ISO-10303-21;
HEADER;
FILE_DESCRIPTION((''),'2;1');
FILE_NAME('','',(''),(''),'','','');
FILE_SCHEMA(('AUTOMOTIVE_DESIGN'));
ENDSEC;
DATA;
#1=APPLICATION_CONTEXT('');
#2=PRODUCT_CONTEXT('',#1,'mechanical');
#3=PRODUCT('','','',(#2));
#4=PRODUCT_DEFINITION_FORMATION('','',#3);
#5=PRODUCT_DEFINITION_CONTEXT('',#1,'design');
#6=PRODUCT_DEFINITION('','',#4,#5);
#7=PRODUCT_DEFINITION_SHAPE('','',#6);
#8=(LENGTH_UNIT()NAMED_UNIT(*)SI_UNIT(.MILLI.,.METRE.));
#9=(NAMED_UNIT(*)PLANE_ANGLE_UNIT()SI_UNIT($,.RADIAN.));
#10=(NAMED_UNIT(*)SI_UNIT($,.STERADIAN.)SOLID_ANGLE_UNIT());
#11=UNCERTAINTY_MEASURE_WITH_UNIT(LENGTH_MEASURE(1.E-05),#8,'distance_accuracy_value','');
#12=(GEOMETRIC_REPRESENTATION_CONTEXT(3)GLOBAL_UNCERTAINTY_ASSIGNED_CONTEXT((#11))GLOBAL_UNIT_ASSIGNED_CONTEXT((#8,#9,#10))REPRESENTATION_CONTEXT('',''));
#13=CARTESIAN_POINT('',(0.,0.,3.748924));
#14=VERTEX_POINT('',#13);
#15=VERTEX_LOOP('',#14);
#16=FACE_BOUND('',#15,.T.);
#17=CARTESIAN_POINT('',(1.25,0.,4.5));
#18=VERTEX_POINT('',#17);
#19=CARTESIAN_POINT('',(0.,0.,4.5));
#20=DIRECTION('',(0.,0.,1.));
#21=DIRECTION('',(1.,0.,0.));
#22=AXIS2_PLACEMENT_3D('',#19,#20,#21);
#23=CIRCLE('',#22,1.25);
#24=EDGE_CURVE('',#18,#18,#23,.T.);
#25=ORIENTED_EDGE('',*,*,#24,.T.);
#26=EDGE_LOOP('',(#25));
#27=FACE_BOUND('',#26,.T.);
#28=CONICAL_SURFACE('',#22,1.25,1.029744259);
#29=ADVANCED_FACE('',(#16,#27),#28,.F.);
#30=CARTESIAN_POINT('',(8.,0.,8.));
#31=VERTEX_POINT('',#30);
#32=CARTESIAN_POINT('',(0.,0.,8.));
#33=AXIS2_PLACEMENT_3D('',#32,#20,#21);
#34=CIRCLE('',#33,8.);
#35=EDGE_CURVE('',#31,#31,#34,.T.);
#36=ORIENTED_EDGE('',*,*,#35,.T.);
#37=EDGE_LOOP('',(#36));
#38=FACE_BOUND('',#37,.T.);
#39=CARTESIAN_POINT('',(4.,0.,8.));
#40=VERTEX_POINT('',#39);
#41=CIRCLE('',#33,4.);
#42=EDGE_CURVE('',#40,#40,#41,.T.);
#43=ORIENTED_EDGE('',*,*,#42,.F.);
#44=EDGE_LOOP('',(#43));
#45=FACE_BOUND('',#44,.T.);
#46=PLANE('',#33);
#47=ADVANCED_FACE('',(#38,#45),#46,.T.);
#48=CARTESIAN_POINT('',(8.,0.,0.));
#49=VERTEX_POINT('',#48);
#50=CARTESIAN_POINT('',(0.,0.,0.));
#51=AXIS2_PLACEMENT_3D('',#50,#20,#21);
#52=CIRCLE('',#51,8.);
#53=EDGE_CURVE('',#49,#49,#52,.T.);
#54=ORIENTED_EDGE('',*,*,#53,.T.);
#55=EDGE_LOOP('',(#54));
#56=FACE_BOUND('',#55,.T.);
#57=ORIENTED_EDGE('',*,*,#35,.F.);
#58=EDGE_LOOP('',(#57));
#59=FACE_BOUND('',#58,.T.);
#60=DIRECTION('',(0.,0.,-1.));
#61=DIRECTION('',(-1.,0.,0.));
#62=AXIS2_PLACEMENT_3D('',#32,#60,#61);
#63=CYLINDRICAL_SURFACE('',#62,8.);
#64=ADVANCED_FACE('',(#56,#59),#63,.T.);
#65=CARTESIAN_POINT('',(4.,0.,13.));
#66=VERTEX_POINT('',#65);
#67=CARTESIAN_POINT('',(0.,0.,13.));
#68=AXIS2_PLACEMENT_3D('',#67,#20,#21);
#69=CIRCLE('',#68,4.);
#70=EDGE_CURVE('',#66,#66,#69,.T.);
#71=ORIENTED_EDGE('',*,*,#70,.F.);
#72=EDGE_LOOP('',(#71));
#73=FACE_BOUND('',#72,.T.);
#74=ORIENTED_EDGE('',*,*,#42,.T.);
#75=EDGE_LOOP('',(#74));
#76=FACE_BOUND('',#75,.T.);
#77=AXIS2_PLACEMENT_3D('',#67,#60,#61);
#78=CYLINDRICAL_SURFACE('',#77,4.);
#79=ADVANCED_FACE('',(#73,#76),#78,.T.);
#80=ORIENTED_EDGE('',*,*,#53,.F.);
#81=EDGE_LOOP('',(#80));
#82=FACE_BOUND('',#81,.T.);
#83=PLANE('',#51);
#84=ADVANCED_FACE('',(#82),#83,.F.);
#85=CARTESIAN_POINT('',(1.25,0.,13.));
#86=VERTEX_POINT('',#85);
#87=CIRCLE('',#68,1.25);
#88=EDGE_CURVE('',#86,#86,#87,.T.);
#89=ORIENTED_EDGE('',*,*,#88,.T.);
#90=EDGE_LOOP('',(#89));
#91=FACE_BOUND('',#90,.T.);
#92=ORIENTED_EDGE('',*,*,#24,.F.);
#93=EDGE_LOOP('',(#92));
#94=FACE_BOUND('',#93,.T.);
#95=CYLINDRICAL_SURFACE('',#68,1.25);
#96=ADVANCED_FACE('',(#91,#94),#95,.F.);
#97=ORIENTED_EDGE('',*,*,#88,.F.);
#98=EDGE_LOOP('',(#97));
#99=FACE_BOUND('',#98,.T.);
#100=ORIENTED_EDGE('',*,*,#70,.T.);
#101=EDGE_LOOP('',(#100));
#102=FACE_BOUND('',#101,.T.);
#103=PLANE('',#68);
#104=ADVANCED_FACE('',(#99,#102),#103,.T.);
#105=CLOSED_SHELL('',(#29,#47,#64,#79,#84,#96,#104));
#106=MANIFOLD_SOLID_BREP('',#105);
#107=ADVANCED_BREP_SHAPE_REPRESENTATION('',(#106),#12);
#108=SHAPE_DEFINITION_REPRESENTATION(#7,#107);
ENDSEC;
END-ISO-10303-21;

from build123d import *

# Parameters (mm, degrees)
SKETCH1_R             = 8
BOSS_EXTRUDE1_DEPTH   = 8
SKETCH2_R             = 4
BOSS_EXTRUDE2_DEPTH   = 5
M3_TAPPED_HOLE1_D     = 2.5
M3_TAPPED_HOLE1_DEPTH = 8.5
M3_TAPPED_HOLE1_TIP   = 0.751075774


with BuildPart() as part:
    # Sketch1 → Boss-Extrude1 (new body)
    with BuildSketch(Plane.XY):
        Circle(SKETCH1_R)
    extrude(amount=BOSS_EXTRUDE1_DEPTH)

    # Sketch2 → Boss-Extrude2 (add)
    with BuildSketch(Plane.XY.offset(8)):
        Circle(SKETCH2_R)
    extrude(amount=BOSS_EXTRUDE2_DEPTH)

    # M3 Tapped Hole1
    with Locations(Plane.XY.offset(13)):
        with Locations((0, 0)):
            Hole(M3_TAPPED_HOLE1_D / 2, depth=M3_TAPPED_HOLE1_DEPTH)
            with Locations((0, 0, -(M3_TAPPED_HOLE1_DEPTH + M3_TAPPED_HOLE1_TIP / 2))):  # 118° drill point
                Cone(0, M3_TAPPED_HOLE1_D / 2, M3_TAPPED_HOLE1_TIP, mode=Mode.SUBTRACT)


solid = part.part
